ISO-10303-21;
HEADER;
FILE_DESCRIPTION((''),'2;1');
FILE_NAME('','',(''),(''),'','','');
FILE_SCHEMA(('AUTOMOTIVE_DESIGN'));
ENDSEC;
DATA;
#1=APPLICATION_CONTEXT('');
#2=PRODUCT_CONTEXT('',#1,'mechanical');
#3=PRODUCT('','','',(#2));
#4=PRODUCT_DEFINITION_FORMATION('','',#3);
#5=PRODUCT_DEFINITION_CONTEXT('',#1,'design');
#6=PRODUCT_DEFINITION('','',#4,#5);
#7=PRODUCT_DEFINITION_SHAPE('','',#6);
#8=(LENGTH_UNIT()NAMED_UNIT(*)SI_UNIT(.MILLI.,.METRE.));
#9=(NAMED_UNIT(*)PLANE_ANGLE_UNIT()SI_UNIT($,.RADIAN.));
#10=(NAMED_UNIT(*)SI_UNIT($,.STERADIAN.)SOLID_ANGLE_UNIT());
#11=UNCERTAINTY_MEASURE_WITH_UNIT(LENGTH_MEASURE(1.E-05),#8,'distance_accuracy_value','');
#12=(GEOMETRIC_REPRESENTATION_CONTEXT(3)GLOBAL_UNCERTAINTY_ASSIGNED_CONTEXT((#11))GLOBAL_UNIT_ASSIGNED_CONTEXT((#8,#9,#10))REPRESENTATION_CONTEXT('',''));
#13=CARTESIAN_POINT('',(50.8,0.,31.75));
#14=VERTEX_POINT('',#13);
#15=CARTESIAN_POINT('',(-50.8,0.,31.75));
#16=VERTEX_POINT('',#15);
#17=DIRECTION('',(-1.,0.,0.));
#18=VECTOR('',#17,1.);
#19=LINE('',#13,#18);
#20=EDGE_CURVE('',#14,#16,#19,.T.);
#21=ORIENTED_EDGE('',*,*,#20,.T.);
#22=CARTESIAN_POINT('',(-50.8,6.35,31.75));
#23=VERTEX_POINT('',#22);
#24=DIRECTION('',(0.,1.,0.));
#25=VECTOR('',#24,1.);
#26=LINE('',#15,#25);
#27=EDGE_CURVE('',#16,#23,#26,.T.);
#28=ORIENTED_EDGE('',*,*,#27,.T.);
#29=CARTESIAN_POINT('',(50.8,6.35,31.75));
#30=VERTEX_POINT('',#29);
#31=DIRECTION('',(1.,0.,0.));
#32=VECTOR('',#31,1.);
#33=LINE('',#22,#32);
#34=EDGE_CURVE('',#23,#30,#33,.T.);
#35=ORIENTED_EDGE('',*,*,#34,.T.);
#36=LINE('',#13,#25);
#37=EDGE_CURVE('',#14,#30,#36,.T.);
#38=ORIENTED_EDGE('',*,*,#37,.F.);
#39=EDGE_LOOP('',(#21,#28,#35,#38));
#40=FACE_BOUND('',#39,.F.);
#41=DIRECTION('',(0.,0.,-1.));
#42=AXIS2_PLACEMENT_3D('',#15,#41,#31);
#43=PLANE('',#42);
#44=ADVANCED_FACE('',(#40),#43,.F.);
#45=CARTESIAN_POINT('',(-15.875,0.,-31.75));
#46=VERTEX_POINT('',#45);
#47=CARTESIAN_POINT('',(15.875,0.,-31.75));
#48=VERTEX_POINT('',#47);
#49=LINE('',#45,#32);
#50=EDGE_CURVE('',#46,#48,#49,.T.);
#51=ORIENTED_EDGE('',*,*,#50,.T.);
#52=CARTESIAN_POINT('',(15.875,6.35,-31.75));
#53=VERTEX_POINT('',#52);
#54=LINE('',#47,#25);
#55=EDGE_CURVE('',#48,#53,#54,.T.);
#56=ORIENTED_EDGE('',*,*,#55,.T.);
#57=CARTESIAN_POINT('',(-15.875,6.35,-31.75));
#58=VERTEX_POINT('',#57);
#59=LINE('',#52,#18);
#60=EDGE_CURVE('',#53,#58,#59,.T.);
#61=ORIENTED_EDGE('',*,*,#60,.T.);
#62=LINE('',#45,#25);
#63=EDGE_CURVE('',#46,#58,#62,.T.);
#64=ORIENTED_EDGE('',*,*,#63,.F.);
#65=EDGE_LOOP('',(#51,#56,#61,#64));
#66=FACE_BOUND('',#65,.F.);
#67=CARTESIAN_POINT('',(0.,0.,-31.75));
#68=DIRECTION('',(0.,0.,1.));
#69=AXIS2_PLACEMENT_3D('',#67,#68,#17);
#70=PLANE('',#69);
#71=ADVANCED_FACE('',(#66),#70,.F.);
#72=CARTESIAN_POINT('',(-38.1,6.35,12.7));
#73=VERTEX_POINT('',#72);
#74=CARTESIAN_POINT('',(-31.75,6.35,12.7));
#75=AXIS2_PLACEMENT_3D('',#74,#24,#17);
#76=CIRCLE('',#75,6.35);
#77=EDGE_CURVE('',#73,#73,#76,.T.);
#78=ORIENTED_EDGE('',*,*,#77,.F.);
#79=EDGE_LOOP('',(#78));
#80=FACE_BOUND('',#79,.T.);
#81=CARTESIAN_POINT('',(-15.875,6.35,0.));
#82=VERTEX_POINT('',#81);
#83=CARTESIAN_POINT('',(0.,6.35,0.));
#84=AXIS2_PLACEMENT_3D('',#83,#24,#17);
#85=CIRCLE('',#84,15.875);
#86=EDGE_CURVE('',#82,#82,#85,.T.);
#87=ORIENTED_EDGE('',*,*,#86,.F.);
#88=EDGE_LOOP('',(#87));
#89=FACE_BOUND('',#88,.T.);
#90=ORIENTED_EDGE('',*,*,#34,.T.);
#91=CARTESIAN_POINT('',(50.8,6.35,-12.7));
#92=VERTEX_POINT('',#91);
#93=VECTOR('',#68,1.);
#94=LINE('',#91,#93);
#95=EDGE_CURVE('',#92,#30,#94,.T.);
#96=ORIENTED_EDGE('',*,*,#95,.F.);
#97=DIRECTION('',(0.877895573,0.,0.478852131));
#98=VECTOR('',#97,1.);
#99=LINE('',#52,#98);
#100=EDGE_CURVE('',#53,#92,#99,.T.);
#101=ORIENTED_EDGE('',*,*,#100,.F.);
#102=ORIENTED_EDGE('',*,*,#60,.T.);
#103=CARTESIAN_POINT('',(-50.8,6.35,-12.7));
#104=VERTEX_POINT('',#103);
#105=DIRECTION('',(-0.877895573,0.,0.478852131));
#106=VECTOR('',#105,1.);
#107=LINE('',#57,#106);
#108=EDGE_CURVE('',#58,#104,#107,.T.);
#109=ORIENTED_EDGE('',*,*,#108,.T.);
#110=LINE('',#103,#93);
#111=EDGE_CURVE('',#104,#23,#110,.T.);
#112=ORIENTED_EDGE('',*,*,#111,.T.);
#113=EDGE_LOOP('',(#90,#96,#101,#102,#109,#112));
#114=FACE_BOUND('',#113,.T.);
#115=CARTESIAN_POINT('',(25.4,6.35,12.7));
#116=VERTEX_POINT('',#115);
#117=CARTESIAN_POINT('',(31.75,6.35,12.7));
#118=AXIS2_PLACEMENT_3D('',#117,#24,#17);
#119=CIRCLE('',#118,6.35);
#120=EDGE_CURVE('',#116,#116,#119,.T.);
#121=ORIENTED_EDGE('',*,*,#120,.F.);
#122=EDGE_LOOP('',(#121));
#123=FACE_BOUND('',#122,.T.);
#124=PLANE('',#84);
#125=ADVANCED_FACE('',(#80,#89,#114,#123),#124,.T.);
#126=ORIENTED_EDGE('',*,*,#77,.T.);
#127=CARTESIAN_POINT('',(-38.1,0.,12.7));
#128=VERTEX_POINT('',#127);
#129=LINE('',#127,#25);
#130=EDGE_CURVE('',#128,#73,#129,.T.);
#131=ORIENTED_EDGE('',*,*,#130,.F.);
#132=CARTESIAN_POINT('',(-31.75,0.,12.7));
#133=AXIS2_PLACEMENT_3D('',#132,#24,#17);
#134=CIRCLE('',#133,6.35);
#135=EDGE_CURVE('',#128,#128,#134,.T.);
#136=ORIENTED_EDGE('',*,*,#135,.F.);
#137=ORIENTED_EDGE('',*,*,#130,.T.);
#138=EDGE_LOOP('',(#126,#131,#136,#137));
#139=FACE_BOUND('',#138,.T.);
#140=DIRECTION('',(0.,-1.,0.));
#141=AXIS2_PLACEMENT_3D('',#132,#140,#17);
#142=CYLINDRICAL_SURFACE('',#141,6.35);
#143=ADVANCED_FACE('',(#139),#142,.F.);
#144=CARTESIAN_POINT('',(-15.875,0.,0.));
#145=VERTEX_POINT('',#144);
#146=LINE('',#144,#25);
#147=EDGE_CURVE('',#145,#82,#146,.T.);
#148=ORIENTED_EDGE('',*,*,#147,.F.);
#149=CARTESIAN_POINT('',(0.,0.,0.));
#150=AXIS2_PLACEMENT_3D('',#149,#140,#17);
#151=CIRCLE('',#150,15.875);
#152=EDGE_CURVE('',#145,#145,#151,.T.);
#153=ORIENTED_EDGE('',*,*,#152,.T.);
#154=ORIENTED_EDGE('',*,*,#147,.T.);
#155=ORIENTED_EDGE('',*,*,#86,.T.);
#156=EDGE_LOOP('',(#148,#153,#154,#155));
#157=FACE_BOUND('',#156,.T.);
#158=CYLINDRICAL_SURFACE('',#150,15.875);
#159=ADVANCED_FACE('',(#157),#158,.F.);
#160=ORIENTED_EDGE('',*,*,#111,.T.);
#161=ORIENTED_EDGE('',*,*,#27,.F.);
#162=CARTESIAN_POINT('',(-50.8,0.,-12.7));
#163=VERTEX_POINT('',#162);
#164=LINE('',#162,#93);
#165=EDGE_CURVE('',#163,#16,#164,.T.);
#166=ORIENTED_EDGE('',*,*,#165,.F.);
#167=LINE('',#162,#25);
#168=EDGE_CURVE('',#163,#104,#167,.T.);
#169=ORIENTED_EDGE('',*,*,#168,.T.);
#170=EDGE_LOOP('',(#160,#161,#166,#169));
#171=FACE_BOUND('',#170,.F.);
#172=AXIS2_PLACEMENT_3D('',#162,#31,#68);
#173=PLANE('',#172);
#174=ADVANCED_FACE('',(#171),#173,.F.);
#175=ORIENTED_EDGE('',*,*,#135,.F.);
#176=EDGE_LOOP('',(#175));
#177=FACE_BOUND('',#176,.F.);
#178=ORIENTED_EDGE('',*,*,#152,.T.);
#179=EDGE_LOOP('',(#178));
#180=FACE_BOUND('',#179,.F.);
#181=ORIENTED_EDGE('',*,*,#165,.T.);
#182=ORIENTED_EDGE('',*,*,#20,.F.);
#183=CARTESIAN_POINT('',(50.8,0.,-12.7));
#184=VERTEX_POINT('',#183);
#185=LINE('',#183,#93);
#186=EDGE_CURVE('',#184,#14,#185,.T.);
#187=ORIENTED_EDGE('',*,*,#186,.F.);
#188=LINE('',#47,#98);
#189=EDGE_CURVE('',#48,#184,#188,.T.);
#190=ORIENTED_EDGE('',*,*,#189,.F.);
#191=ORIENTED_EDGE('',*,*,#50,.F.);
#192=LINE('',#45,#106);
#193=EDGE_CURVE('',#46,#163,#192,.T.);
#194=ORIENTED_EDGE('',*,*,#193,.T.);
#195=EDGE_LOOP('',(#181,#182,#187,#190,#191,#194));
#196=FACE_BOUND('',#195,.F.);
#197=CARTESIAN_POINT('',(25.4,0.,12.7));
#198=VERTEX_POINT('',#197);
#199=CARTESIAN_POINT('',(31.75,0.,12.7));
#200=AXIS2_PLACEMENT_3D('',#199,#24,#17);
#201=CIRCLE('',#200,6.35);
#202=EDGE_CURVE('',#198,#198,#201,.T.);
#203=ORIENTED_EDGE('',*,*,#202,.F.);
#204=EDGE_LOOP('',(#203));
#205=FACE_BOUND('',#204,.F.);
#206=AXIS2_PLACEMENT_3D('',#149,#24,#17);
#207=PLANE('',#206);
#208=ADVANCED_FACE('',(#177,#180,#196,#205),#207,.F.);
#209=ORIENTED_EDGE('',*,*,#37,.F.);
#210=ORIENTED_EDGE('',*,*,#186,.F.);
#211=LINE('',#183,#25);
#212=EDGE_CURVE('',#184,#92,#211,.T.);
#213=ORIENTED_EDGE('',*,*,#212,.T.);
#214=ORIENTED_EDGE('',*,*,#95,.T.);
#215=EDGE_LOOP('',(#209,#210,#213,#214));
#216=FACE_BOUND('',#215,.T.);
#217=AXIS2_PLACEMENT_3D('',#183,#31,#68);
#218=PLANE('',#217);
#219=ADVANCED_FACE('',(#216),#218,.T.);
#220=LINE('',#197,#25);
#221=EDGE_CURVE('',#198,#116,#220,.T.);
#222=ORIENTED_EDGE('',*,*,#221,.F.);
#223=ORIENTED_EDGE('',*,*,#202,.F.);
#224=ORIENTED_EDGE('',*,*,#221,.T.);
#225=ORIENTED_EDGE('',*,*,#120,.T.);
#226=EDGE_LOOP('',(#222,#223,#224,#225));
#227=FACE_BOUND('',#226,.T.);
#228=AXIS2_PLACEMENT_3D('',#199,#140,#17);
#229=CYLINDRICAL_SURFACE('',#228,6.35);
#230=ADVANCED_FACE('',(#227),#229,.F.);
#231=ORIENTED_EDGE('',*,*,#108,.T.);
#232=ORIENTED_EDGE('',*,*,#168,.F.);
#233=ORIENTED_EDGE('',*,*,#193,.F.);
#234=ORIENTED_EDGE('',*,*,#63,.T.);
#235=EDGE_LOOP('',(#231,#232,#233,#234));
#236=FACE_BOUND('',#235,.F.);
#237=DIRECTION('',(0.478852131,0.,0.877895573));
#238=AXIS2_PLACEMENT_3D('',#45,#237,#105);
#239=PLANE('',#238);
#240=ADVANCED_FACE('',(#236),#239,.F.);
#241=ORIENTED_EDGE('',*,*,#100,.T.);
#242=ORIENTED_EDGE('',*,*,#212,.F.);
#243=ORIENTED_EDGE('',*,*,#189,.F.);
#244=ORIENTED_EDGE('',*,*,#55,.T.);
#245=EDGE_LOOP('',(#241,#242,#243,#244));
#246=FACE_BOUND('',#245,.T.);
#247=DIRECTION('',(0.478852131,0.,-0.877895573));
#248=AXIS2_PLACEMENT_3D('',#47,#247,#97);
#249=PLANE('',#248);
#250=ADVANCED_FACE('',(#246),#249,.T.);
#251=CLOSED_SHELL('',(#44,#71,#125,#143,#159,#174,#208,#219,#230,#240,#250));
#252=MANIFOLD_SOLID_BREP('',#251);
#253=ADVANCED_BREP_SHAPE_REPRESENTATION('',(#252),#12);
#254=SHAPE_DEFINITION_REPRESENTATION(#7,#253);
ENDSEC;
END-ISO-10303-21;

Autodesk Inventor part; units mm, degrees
ref_plane "YZ Plane" through (0, 0, 0) normal (1, 0, 0) x (0, 1, 0)
ref_plane "XZ Plane" through (0, 0, 0) normal (0, 1, 0) x (-1, 0, 0)
ref_plane "XY Plane" through (0, 0, 0) normal (0, 0, 1) x (1, 0, 0)
sketch "Sketch1" plane through (0, 0, 0) normal (0, 1, 0) x (-1, 0, 0)
  circle A0 centre (0, 0) radius 15.875
  line L0 (0, -31.75) -> (15.875, -31.75)
  line L1 (15.875, -31.75) -> (50.8, -12.7)
  line L2 (50.8, -12.7) -> (50.8, 31.75)
  line L3 (50.8, 31.75) -> (0, 31.75)
  circle A1 centre (31.75, 12.7) radius 6.35
  line L4 (0, -31.75) -> (0, 31.75)
  line L5 (0, -31.75) -> (-15.875, -31.75)
  line L6 (-15.875, -31.75) -> (-50.8, -12.7)
  line L7 (-50.8, -12.7) -> (-50.8, 31.75)
  line L8 (-50.8, 31.75) -> (0, 31.75)
  circle A2 centre (-31.75, 12.7) radius 6.35
  point P0 (0, 0)
  dimension "d6" = 101.6
  dimension "d7" = 19.05
  dimension "d8" = 19.05
  dimension "d9" = 31.75
  dimension "d10" = 31.75
  dimension "d11" = 63.5
  dimension "d12" = 44.45
  dimension "d13" = 12.7
  dimension "d14" = 31.75
extrude "Extrusion1" add sketch "Sketch1" along normal blind 6.35 contours A0 L4 L3 L2 L1 L0 | A0 L4 L5 L6 L7 L8
properties part number "PositioningStop"
